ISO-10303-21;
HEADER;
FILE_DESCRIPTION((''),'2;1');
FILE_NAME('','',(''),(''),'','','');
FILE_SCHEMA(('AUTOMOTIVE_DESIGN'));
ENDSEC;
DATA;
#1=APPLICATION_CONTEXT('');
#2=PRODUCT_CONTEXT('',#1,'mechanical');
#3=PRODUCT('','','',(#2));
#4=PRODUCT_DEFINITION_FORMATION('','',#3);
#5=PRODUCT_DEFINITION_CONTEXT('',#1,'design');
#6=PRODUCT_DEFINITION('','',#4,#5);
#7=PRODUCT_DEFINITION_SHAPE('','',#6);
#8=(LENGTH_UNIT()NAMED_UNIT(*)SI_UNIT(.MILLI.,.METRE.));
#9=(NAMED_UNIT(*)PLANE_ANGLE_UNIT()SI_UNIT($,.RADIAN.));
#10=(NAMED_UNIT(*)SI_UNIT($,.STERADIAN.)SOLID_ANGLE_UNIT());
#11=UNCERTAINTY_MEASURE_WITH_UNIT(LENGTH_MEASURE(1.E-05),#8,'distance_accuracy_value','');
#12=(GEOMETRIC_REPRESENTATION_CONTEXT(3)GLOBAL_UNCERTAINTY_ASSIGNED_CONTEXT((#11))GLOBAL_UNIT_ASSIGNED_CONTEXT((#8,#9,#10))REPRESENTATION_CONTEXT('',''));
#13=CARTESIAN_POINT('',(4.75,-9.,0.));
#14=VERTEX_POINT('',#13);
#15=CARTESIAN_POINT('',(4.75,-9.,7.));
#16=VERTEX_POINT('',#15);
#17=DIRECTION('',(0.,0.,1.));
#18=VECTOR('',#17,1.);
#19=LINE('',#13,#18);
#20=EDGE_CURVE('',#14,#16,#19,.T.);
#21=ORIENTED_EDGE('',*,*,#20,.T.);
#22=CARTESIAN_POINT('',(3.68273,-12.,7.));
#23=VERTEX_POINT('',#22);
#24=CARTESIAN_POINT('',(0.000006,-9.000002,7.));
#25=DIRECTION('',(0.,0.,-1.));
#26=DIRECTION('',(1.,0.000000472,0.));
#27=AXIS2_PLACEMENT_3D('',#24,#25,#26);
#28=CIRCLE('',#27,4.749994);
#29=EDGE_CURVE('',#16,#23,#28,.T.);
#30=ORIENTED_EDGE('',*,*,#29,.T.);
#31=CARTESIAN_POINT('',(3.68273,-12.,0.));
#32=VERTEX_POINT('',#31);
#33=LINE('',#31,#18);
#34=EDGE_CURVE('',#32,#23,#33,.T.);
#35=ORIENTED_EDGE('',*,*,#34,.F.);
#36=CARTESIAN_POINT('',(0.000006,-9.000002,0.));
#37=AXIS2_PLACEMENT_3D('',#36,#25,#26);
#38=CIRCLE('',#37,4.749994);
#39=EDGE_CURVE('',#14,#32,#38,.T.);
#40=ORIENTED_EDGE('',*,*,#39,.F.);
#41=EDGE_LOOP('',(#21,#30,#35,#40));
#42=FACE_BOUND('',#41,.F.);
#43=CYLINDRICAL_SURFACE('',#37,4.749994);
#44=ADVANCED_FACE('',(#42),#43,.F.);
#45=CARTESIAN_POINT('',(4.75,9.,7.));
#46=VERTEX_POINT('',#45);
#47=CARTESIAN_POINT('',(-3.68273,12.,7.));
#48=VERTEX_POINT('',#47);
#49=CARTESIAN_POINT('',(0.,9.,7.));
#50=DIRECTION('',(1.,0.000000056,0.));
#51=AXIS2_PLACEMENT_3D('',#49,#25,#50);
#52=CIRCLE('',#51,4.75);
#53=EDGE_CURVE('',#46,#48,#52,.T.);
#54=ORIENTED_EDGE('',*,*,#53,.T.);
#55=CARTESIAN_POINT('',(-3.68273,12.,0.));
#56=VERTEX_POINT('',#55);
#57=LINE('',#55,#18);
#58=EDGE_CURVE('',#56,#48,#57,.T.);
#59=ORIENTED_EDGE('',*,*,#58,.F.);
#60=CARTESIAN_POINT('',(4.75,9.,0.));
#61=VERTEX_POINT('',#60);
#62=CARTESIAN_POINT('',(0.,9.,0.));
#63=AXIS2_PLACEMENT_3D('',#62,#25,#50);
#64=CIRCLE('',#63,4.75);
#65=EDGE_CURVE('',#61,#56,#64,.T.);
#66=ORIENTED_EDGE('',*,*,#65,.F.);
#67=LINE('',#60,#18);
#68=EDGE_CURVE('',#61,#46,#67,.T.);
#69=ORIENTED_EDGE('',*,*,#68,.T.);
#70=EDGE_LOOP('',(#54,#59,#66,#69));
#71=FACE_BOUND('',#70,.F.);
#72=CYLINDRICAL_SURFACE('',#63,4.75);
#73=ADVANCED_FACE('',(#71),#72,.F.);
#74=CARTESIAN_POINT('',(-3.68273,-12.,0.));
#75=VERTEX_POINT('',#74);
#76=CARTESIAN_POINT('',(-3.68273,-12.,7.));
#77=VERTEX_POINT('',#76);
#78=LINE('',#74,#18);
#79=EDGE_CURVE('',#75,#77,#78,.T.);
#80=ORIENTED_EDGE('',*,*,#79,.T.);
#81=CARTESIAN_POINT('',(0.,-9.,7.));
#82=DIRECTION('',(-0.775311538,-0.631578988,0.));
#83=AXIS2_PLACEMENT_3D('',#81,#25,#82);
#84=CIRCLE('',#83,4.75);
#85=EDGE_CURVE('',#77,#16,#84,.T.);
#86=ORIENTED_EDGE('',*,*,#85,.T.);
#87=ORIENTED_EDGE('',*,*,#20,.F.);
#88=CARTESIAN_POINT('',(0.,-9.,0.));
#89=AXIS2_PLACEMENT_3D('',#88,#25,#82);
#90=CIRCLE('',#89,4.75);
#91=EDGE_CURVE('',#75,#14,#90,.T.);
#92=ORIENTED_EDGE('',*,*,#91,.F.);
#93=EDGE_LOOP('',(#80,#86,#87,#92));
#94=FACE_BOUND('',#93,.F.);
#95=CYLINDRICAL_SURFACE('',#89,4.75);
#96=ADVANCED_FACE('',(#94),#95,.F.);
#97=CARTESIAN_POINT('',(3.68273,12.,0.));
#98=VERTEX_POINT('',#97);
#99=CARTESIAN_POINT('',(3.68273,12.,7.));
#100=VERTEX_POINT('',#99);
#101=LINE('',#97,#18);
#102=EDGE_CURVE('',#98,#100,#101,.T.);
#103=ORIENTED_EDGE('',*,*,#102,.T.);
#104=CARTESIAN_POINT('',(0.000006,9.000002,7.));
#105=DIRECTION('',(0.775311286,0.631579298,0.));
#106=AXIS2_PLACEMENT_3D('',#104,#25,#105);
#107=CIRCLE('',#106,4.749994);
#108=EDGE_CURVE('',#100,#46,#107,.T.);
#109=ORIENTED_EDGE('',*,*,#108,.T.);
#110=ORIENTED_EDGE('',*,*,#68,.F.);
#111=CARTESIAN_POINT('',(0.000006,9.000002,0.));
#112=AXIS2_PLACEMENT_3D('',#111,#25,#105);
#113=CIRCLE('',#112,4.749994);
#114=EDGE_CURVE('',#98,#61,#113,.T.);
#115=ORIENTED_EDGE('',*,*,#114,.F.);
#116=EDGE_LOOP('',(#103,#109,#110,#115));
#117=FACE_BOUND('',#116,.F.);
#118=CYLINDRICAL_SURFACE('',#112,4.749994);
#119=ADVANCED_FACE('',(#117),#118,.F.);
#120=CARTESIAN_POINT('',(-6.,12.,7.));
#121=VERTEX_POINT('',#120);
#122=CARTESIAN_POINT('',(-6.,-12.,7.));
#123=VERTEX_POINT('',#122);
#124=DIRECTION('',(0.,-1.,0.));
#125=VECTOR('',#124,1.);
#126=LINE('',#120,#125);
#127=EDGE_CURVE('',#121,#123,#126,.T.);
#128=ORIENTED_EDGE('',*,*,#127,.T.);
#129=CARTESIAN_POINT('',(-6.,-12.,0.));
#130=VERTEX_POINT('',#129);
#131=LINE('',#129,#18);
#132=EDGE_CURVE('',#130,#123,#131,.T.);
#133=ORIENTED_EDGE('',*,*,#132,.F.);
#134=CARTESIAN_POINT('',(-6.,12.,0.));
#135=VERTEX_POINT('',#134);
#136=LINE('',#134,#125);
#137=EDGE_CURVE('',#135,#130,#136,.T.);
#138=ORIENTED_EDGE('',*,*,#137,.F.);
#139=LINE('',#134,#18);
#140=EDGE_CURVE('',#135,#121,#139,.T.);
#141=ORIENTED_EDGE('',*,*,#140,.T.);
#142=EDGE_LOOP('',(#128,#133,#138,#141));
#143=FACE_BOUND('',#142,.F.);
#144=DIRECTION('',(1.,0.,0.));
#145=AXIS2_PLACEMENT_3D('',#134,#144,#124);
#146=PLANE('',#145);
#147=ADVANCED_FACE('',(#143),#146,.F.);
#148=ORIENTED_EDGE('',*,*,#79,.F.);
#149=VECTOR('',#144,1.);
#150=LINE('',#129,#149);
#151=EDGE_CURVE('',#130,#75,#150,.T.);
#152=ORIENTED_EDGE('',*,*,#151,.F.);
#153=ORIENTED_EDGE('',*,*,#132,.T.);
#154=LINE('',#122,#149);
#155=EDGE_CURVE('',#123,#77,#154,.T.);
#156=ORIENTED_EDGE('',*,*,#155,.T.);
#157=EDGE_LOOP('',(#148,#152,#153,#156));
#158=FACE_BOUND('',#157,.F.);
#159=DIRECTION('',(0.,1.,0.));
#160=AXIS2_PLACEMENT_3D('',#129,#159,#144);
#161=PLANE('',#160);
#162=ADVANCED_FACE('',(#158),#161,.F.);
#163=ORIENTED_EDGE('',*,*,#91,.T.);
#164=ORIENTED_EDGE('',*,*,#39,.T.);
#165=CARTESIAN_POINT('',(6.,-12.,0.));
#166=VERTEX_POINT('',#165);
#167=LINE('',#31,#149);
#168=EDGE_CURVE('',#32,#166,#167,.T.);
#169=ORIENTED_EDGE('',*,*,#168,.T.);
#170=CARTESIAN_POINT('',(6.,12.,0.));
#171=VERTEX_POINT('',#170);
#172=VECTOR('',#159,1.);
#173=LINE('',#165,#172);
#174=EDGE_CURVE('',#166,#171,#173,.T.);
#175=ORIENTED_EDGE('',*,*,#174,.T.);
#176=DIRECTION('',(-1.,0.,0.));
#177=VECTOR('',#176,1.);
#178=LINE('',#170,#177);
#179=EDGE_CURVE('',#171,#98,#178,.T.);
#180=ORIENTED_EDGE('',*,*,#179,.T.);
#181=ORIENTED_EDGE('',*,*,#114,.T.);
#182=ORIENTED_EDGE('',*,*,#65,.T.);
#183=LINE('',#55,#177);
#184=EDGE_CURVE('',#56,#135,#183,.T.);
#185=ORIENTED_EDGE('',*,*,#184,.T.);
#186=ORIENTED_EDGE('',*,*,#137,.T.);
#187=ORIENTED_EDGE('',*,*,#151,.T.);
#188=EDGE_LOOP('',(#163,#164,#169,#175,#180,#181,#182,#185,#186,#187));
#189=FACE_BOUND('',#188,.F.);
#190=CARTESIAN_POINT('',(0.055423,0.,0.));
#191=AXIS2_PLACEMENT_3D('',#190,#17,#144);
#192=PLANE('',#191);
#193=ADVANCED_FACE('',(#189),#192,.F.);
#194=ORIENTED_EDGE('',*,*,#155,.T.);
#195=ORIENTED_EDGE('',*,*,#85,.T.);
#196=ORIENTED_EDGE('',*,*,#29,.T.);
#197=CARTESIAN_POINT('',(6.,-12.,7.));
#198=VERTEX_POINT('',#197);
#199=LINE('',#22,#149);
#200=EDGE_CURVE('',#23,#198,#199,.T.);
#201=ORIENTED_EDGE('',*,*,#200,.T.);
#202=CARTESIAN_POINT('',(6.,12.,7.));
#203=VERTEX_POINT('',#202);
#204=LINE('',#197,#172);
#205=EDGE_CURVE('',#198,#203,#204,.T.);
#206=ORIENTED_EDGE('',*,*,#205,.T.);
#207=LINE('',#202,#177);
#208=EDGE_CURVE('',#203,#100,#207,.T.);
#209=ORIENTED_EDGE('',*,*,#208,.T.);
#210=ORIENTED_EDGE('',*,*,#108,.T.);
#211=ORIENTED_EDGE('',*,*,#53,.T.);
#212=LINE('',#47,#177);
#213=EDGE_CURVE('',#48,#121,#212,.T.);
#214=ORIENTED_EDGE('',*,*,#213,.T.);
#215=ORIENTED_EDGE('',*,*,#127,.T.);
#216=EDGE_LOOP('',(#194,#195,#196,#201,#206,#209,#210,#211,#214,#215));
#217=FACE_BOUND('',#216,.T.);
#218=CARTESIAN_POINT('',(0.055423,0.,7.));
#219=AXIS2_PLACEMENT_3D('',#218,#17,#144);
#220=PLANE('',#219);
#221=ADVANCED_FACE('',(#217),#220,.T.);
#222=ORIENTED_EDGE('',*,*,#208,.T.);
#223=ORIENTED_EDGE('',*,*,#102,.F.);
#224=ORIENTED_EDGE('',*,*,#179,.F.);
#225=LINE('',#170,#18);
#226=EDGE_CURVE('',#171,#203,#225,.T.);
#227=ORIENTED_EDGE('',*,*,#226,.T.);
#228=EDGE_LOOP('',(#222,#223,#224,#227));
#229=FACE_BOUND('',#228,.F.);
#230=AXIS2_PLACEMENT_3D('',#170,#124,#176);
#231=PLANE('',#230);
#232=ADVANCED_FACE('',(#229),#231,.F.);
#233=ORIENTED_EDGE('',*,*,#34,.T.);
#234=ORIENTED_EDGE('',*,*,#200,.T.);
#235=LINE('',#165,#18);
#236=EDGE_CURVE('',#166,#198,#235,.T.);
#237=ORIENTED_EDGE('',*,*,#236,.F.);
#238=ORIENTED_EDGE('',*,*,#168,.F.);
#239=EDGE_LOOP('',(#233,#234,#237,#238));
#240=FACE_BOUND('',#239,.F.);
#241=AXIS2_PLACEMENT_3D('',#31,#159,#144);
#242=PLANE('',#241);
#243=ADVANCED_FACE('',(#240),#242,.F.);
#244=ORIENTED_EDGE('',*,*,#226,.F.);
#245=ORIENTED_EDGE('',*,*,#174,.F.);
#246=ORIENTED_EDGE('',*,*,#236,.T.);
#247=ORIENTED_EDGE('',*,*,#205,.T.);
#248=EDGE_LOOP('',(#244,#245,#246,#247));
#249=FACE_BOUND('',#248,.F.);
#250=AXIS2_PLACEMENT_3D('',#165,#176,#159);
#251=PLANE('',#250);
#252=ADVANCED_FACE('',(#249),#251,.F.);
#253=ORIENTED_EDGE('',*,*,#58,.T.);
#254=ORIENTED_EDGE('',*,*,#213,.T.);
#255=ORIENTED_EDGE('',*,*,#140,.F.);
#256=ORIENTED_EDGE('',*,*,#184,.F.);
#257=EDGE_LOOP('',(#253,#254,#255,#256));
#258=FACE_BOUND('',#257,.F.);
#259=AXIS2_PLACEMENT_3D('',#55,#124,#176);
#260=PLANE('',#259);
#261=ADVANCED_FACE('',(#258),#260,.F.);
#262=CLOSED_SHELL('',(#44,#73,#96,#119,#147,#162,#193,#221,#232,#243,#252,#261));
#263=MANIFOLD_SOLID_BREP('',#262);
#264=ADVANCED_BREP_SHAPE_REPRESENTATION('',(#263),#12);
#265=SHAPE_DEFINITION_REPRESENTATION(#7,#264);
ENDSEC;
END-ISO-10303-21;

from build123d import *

# Parameters (mm, degrees)
F1_DEPTH = 7


with BuildPart() as f1:
    # F0 (on Top) → F1 (new body)
    with BuildSketch(Plane.XY):
        with BuildLine():
            Line((6, -12), (6, 12))
            Line((6, 12), (3.68273, 12))
            ThreePointArc((3.68273, 12), (4.475236, 10.592095), (4.75, 9))
            ThreePointArc((4.75, 9), (-1.592095, 4.524764), (-3.68273, 12))
            Line((-3.68273, 12), (-6, 12))
            Line((-6, 12), (-6, -12))
            Line((-6, -12), (-3.68273, -12))
            ThreePointArc((-3.68273, -12), (-1.592095, -4.524764), (4.75, -9))
            ThreePointArc((4.75, -9), (4.475236, -10.592095), (3.68273, -12))
            Line((3.68273, -12), (6, -12))
        make_face()
    extrude(amount=F1_DEPTH)


solid = f1.part
